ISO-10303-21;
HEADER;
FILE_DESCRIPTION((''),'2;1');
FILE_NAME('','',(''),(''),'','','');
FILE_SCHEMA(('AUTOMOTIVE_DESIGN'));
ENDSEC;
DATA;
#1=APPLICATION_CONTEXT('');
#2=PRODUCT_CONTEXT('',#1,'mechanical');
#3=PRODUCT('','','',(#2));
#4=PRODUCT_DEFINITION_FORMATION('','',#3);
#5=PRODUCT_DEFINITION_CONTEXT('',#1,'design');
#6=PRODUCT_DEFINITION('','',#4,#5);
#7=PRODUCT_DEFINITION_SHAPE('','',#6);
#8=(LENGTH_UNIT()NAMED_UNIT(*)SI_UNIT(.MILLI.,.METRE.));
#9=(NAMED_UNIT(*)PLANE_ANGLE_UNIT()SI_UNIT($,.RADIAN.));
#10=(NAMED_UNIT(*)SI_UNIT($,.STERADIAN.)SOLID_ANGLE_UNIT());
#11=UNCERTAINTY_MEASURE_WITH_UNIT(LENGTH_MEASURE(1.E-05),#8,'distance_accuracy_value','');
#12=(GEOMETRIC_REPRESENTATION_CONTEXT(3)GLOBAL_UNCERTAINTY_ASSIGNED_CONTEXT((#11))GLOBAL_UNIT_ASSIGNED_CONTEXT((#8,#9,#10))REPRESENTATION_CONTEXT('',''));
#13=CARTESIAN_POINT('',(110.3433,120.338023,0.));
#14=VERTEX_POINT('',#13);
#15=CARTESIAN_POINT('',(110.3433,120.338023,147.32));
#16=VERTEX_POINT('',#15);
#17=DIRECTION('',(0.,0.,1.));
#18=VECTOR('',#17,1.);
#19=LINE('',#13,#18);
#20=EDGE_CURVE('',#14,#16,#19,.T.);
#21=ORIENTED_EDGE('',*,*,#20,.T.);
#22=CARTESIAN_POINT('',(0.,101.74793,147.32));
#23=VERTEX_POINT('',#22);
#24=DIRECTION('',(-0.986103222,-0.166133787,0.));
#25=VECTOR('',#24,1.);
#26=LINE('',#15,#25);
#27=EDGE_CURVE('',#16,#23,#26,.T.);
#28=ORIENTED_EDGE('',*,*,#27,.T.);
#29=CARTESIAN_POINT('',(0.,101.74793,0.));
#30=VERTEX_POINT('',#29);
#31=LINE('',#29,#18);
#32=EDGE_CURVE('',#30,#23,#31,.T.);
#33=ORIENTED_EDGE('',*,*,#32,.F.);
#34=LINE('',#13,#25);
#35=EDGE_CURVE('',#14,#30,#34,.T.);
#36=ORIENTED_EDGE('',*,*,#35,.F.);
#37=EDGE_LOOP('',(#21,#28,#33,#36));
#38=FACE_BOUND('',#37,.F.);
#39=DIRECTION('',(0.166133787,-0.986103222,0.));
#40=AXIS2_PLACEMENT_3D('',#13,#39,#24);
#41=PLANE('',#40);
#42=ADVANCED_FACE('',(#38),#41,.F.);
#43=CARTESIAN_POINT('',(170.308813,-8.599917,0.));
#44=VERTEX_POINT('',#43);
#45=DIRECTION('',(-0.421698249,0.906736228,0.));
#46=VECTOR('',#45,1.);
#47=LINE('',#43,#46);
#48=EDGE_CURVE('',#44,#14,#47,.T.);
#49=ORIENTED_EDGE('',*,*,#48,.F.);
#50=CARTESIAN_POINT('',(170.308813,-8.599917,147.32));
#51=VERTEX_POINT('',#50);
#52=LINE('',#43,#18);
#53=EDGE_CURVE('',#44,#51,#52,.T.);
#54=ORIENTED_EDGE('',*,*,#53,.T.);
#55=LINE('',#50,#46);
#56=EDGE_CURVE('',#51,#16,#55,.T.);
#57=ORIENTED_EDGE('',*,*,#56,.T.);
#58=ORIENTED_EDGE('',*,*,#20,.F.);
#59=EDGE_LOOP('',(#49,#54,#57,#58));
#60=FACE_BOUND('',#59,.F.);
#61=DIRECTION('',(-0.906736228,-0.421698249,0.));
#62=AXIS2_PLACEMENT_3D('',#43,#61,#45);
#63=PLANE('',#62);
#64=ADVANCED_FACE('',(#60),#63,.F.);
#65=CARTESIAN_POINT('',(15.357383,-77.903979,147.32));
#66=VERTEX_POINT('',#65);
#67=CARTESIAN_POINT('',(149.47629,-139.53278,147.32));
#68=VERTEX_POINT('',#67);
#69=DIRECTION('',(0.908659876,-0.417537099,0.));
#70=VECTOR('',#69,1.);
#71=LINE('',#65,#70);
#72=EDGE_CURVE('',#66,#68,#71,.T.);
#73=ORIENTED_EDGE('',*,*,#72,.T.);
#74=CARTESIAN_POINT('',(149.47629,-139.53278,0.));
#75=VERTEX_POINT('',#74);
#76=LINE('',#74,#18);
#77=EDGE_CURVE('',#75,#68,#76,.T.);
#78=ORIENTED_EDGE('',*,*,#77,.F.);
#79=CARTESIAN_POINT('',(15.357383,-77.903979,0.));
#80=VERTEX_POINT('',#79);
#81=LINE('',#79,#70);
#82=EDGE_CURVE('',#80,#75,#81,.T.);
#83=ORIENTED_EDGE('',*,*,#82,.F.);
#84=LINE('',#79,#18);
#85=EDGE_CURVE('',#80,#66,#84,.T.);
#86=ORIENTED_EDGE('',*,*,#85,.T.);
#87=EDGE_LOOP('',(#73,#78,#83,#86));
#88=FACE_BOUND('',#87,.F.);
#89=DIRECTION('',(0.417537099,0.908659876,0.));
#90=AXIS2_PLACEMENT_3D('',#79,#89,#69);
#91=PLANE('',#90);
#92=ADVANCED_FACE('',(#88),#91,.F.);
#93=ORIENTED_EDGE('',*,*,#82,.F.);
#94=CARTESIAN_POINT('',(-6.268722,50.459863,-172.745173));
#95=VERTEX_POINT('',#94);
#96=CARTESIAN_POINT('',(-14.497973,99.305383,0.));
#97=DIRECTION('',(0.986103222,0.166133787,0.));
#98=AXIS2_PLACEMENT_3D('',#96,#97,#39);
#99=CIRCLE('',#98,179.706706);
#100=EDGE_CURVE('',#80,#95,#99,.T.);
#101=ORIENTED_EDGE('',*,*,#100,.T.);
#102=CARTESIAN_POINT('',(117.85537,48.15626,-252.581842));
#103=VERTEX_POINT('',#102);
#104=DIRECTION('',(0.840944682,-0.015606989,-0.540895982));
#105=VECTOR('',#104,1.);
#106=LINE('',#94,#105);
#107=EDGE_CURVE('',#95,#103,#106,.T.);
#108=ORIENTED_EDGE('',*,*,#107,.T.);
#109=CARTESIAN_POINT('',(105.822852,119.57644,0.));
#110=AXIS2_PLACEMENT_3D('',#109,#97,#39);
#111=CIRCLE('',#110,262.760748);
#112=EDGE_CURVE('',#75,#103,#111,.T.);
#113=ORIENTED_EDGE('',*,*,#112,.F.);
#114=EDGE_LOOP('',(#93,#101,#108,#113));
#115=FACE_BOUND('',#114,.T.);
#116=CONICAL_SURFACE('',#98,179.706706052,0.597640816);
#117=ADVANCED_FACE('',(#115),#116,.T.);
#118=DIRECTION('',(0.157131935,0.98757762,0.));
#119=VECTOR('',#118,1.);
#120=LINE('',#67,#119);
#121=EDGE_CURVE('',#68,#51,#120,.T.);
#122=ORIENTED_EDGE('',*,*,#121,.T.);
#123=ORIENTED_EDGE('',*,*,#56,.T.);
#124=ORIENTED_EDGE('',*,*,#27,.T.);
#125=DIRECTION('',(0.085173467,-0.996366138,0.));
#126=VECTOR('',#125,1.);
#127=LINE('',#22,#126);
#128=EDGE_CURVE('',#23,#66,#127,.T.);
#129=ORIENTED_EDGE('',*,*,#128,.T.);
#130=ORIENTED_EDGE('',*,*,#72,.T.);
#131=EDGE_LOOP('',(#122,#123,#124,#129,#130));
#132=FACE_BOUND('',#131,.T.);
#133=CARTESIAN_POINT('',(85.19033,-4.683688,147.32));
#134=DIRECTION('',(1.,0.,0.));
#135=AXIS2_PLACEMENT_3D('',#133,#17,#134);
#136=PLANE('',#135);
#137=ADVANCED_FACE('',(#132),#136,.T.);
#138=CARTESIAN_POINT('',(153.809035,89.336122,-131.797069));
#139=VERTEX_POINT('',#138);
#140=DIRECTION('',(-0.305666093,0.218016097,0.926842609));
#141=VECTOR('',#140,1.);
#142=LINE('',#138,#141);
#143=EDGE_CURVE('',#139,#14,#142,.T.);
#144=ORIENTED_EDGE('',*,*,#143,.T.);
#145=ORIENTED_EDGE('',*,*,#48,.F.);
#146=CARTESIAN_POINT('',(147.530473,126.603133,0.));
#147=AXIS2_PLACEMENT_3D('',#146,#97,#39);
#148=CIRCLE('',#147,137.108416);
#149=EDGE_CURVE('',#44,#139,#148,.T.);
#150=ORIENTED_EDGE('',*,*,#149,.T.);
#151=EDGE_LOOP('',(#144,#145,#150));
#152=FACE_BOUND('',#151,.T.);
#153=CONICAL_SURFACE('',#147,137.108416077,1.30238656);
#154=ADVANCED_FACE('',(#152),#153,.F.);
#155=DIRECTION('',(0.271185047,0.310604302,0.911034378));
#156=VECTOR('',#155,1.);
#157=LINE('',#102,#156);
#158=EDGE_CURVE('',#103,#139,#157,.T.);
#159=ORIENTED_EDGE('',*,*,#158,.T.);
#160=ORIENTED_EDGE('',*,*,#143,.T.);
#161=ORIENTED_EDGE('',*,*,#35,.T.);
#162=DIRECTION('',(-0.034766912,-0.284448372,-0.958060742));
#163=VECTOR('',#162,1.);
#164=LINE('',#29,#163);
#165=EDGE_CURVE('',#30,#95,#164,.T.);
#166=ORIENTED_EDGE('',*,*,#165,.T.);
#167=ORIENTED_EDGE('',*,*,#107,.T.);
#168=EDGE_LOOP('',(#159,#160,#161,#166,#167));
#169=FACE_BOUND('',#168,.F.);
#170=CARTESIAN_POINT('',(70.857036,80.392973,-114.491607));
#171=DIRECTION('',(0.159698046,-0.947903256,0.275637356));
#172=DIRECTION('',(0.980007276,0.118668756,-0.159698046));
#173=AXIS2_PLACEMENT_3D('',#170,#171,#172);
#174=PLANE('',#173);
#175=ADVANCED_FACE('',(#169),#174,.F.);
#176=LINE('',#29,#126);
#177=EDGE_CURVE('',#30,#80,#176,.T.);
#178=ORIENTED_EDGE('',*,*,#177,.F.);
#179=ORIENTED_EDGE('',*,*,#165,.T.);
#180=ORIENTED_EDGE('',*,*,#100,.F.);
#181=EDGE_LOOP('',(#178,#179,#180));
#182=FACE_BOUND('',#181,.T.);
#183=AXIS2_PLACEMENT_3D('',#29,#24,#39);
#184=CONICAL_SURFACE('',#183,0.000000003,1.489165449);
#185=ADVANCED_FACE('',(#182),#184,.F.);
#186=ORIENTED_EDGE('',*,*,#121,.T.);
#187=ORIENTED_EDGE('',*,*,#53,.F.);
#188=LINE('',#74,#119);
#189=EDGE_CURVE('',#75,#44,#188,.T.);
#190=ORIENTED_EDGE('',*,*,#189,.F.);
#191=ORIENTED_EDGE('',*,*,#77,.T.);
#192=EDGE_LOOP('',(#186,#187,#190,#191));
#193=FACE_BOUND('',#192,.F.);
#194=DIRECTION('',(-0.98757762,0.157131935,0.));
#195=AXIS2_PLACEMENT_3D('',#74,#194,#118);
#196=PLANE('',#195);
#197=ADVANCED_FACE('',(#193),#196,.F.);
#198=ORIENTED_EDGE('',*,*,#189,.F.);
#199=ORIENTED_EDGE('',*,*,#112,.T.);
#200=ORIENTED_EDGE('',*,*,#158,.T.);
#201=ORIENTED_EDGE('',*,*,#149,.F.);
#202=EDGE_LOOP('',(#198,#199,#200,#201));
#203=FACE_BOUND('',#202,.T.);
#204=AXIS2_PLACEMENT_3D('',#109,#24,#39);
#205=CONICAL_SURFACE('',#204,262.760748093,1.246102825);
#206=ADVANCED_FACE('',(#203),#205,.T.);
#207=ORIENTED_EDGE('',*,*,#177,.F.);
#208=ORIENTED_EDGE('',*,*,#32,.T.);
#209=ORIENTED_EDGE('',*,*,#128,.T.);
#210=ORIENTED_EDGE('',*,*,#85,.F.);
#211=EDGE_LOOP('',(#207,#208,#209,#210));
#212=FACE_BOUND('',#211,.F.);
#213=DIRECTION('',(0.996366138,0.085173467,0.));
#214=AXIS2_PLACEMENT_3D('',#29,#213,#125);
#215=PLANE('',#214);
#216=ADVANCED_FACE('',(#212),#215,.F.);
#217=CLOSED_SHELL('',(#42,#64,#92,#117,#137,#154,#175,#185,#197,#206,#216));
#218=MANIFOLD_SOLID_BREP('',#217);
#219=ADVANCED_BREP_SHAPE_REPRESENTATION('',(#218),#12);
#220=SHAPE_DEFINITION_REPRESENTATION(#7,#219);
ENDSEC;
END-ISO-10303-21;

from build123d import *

# Parameters (mm, degrees)
F1_ANGLE = 74
F2_DEPTH = 147.32


with BuildPart() as f1:
    # F0 (on Top) → F1 (revolve)
    with BuildSketch(Plane.XY):
        Polygon((149.4762897491, -139.5327803805), (170.3088134527, -8.5999174044), (110.3432998061, 120.3380227089), (0, 101.7479300499), (15.3573825955, -77.9039785266), align=None)
    revolve(axis=Axis((55.1716499031, 111.0429763794, 0), (0.9861032222, 0.166133787, 0)), revolution_arc=F1_ANGLE)

    # F0 (on Top) → F2 (join)
    with BuildSketch(Plane.XY):
        Polygon((149.4762897491, -139.5327803805), (170.3088134527, -8.5999174044), (110.3432998061, 120.3380227089), (0, 101.7479300499), (15.3573825955, -77.9039785266), align=None)
    extrude(amount=F2_DEPTH)


solid = f1.part
